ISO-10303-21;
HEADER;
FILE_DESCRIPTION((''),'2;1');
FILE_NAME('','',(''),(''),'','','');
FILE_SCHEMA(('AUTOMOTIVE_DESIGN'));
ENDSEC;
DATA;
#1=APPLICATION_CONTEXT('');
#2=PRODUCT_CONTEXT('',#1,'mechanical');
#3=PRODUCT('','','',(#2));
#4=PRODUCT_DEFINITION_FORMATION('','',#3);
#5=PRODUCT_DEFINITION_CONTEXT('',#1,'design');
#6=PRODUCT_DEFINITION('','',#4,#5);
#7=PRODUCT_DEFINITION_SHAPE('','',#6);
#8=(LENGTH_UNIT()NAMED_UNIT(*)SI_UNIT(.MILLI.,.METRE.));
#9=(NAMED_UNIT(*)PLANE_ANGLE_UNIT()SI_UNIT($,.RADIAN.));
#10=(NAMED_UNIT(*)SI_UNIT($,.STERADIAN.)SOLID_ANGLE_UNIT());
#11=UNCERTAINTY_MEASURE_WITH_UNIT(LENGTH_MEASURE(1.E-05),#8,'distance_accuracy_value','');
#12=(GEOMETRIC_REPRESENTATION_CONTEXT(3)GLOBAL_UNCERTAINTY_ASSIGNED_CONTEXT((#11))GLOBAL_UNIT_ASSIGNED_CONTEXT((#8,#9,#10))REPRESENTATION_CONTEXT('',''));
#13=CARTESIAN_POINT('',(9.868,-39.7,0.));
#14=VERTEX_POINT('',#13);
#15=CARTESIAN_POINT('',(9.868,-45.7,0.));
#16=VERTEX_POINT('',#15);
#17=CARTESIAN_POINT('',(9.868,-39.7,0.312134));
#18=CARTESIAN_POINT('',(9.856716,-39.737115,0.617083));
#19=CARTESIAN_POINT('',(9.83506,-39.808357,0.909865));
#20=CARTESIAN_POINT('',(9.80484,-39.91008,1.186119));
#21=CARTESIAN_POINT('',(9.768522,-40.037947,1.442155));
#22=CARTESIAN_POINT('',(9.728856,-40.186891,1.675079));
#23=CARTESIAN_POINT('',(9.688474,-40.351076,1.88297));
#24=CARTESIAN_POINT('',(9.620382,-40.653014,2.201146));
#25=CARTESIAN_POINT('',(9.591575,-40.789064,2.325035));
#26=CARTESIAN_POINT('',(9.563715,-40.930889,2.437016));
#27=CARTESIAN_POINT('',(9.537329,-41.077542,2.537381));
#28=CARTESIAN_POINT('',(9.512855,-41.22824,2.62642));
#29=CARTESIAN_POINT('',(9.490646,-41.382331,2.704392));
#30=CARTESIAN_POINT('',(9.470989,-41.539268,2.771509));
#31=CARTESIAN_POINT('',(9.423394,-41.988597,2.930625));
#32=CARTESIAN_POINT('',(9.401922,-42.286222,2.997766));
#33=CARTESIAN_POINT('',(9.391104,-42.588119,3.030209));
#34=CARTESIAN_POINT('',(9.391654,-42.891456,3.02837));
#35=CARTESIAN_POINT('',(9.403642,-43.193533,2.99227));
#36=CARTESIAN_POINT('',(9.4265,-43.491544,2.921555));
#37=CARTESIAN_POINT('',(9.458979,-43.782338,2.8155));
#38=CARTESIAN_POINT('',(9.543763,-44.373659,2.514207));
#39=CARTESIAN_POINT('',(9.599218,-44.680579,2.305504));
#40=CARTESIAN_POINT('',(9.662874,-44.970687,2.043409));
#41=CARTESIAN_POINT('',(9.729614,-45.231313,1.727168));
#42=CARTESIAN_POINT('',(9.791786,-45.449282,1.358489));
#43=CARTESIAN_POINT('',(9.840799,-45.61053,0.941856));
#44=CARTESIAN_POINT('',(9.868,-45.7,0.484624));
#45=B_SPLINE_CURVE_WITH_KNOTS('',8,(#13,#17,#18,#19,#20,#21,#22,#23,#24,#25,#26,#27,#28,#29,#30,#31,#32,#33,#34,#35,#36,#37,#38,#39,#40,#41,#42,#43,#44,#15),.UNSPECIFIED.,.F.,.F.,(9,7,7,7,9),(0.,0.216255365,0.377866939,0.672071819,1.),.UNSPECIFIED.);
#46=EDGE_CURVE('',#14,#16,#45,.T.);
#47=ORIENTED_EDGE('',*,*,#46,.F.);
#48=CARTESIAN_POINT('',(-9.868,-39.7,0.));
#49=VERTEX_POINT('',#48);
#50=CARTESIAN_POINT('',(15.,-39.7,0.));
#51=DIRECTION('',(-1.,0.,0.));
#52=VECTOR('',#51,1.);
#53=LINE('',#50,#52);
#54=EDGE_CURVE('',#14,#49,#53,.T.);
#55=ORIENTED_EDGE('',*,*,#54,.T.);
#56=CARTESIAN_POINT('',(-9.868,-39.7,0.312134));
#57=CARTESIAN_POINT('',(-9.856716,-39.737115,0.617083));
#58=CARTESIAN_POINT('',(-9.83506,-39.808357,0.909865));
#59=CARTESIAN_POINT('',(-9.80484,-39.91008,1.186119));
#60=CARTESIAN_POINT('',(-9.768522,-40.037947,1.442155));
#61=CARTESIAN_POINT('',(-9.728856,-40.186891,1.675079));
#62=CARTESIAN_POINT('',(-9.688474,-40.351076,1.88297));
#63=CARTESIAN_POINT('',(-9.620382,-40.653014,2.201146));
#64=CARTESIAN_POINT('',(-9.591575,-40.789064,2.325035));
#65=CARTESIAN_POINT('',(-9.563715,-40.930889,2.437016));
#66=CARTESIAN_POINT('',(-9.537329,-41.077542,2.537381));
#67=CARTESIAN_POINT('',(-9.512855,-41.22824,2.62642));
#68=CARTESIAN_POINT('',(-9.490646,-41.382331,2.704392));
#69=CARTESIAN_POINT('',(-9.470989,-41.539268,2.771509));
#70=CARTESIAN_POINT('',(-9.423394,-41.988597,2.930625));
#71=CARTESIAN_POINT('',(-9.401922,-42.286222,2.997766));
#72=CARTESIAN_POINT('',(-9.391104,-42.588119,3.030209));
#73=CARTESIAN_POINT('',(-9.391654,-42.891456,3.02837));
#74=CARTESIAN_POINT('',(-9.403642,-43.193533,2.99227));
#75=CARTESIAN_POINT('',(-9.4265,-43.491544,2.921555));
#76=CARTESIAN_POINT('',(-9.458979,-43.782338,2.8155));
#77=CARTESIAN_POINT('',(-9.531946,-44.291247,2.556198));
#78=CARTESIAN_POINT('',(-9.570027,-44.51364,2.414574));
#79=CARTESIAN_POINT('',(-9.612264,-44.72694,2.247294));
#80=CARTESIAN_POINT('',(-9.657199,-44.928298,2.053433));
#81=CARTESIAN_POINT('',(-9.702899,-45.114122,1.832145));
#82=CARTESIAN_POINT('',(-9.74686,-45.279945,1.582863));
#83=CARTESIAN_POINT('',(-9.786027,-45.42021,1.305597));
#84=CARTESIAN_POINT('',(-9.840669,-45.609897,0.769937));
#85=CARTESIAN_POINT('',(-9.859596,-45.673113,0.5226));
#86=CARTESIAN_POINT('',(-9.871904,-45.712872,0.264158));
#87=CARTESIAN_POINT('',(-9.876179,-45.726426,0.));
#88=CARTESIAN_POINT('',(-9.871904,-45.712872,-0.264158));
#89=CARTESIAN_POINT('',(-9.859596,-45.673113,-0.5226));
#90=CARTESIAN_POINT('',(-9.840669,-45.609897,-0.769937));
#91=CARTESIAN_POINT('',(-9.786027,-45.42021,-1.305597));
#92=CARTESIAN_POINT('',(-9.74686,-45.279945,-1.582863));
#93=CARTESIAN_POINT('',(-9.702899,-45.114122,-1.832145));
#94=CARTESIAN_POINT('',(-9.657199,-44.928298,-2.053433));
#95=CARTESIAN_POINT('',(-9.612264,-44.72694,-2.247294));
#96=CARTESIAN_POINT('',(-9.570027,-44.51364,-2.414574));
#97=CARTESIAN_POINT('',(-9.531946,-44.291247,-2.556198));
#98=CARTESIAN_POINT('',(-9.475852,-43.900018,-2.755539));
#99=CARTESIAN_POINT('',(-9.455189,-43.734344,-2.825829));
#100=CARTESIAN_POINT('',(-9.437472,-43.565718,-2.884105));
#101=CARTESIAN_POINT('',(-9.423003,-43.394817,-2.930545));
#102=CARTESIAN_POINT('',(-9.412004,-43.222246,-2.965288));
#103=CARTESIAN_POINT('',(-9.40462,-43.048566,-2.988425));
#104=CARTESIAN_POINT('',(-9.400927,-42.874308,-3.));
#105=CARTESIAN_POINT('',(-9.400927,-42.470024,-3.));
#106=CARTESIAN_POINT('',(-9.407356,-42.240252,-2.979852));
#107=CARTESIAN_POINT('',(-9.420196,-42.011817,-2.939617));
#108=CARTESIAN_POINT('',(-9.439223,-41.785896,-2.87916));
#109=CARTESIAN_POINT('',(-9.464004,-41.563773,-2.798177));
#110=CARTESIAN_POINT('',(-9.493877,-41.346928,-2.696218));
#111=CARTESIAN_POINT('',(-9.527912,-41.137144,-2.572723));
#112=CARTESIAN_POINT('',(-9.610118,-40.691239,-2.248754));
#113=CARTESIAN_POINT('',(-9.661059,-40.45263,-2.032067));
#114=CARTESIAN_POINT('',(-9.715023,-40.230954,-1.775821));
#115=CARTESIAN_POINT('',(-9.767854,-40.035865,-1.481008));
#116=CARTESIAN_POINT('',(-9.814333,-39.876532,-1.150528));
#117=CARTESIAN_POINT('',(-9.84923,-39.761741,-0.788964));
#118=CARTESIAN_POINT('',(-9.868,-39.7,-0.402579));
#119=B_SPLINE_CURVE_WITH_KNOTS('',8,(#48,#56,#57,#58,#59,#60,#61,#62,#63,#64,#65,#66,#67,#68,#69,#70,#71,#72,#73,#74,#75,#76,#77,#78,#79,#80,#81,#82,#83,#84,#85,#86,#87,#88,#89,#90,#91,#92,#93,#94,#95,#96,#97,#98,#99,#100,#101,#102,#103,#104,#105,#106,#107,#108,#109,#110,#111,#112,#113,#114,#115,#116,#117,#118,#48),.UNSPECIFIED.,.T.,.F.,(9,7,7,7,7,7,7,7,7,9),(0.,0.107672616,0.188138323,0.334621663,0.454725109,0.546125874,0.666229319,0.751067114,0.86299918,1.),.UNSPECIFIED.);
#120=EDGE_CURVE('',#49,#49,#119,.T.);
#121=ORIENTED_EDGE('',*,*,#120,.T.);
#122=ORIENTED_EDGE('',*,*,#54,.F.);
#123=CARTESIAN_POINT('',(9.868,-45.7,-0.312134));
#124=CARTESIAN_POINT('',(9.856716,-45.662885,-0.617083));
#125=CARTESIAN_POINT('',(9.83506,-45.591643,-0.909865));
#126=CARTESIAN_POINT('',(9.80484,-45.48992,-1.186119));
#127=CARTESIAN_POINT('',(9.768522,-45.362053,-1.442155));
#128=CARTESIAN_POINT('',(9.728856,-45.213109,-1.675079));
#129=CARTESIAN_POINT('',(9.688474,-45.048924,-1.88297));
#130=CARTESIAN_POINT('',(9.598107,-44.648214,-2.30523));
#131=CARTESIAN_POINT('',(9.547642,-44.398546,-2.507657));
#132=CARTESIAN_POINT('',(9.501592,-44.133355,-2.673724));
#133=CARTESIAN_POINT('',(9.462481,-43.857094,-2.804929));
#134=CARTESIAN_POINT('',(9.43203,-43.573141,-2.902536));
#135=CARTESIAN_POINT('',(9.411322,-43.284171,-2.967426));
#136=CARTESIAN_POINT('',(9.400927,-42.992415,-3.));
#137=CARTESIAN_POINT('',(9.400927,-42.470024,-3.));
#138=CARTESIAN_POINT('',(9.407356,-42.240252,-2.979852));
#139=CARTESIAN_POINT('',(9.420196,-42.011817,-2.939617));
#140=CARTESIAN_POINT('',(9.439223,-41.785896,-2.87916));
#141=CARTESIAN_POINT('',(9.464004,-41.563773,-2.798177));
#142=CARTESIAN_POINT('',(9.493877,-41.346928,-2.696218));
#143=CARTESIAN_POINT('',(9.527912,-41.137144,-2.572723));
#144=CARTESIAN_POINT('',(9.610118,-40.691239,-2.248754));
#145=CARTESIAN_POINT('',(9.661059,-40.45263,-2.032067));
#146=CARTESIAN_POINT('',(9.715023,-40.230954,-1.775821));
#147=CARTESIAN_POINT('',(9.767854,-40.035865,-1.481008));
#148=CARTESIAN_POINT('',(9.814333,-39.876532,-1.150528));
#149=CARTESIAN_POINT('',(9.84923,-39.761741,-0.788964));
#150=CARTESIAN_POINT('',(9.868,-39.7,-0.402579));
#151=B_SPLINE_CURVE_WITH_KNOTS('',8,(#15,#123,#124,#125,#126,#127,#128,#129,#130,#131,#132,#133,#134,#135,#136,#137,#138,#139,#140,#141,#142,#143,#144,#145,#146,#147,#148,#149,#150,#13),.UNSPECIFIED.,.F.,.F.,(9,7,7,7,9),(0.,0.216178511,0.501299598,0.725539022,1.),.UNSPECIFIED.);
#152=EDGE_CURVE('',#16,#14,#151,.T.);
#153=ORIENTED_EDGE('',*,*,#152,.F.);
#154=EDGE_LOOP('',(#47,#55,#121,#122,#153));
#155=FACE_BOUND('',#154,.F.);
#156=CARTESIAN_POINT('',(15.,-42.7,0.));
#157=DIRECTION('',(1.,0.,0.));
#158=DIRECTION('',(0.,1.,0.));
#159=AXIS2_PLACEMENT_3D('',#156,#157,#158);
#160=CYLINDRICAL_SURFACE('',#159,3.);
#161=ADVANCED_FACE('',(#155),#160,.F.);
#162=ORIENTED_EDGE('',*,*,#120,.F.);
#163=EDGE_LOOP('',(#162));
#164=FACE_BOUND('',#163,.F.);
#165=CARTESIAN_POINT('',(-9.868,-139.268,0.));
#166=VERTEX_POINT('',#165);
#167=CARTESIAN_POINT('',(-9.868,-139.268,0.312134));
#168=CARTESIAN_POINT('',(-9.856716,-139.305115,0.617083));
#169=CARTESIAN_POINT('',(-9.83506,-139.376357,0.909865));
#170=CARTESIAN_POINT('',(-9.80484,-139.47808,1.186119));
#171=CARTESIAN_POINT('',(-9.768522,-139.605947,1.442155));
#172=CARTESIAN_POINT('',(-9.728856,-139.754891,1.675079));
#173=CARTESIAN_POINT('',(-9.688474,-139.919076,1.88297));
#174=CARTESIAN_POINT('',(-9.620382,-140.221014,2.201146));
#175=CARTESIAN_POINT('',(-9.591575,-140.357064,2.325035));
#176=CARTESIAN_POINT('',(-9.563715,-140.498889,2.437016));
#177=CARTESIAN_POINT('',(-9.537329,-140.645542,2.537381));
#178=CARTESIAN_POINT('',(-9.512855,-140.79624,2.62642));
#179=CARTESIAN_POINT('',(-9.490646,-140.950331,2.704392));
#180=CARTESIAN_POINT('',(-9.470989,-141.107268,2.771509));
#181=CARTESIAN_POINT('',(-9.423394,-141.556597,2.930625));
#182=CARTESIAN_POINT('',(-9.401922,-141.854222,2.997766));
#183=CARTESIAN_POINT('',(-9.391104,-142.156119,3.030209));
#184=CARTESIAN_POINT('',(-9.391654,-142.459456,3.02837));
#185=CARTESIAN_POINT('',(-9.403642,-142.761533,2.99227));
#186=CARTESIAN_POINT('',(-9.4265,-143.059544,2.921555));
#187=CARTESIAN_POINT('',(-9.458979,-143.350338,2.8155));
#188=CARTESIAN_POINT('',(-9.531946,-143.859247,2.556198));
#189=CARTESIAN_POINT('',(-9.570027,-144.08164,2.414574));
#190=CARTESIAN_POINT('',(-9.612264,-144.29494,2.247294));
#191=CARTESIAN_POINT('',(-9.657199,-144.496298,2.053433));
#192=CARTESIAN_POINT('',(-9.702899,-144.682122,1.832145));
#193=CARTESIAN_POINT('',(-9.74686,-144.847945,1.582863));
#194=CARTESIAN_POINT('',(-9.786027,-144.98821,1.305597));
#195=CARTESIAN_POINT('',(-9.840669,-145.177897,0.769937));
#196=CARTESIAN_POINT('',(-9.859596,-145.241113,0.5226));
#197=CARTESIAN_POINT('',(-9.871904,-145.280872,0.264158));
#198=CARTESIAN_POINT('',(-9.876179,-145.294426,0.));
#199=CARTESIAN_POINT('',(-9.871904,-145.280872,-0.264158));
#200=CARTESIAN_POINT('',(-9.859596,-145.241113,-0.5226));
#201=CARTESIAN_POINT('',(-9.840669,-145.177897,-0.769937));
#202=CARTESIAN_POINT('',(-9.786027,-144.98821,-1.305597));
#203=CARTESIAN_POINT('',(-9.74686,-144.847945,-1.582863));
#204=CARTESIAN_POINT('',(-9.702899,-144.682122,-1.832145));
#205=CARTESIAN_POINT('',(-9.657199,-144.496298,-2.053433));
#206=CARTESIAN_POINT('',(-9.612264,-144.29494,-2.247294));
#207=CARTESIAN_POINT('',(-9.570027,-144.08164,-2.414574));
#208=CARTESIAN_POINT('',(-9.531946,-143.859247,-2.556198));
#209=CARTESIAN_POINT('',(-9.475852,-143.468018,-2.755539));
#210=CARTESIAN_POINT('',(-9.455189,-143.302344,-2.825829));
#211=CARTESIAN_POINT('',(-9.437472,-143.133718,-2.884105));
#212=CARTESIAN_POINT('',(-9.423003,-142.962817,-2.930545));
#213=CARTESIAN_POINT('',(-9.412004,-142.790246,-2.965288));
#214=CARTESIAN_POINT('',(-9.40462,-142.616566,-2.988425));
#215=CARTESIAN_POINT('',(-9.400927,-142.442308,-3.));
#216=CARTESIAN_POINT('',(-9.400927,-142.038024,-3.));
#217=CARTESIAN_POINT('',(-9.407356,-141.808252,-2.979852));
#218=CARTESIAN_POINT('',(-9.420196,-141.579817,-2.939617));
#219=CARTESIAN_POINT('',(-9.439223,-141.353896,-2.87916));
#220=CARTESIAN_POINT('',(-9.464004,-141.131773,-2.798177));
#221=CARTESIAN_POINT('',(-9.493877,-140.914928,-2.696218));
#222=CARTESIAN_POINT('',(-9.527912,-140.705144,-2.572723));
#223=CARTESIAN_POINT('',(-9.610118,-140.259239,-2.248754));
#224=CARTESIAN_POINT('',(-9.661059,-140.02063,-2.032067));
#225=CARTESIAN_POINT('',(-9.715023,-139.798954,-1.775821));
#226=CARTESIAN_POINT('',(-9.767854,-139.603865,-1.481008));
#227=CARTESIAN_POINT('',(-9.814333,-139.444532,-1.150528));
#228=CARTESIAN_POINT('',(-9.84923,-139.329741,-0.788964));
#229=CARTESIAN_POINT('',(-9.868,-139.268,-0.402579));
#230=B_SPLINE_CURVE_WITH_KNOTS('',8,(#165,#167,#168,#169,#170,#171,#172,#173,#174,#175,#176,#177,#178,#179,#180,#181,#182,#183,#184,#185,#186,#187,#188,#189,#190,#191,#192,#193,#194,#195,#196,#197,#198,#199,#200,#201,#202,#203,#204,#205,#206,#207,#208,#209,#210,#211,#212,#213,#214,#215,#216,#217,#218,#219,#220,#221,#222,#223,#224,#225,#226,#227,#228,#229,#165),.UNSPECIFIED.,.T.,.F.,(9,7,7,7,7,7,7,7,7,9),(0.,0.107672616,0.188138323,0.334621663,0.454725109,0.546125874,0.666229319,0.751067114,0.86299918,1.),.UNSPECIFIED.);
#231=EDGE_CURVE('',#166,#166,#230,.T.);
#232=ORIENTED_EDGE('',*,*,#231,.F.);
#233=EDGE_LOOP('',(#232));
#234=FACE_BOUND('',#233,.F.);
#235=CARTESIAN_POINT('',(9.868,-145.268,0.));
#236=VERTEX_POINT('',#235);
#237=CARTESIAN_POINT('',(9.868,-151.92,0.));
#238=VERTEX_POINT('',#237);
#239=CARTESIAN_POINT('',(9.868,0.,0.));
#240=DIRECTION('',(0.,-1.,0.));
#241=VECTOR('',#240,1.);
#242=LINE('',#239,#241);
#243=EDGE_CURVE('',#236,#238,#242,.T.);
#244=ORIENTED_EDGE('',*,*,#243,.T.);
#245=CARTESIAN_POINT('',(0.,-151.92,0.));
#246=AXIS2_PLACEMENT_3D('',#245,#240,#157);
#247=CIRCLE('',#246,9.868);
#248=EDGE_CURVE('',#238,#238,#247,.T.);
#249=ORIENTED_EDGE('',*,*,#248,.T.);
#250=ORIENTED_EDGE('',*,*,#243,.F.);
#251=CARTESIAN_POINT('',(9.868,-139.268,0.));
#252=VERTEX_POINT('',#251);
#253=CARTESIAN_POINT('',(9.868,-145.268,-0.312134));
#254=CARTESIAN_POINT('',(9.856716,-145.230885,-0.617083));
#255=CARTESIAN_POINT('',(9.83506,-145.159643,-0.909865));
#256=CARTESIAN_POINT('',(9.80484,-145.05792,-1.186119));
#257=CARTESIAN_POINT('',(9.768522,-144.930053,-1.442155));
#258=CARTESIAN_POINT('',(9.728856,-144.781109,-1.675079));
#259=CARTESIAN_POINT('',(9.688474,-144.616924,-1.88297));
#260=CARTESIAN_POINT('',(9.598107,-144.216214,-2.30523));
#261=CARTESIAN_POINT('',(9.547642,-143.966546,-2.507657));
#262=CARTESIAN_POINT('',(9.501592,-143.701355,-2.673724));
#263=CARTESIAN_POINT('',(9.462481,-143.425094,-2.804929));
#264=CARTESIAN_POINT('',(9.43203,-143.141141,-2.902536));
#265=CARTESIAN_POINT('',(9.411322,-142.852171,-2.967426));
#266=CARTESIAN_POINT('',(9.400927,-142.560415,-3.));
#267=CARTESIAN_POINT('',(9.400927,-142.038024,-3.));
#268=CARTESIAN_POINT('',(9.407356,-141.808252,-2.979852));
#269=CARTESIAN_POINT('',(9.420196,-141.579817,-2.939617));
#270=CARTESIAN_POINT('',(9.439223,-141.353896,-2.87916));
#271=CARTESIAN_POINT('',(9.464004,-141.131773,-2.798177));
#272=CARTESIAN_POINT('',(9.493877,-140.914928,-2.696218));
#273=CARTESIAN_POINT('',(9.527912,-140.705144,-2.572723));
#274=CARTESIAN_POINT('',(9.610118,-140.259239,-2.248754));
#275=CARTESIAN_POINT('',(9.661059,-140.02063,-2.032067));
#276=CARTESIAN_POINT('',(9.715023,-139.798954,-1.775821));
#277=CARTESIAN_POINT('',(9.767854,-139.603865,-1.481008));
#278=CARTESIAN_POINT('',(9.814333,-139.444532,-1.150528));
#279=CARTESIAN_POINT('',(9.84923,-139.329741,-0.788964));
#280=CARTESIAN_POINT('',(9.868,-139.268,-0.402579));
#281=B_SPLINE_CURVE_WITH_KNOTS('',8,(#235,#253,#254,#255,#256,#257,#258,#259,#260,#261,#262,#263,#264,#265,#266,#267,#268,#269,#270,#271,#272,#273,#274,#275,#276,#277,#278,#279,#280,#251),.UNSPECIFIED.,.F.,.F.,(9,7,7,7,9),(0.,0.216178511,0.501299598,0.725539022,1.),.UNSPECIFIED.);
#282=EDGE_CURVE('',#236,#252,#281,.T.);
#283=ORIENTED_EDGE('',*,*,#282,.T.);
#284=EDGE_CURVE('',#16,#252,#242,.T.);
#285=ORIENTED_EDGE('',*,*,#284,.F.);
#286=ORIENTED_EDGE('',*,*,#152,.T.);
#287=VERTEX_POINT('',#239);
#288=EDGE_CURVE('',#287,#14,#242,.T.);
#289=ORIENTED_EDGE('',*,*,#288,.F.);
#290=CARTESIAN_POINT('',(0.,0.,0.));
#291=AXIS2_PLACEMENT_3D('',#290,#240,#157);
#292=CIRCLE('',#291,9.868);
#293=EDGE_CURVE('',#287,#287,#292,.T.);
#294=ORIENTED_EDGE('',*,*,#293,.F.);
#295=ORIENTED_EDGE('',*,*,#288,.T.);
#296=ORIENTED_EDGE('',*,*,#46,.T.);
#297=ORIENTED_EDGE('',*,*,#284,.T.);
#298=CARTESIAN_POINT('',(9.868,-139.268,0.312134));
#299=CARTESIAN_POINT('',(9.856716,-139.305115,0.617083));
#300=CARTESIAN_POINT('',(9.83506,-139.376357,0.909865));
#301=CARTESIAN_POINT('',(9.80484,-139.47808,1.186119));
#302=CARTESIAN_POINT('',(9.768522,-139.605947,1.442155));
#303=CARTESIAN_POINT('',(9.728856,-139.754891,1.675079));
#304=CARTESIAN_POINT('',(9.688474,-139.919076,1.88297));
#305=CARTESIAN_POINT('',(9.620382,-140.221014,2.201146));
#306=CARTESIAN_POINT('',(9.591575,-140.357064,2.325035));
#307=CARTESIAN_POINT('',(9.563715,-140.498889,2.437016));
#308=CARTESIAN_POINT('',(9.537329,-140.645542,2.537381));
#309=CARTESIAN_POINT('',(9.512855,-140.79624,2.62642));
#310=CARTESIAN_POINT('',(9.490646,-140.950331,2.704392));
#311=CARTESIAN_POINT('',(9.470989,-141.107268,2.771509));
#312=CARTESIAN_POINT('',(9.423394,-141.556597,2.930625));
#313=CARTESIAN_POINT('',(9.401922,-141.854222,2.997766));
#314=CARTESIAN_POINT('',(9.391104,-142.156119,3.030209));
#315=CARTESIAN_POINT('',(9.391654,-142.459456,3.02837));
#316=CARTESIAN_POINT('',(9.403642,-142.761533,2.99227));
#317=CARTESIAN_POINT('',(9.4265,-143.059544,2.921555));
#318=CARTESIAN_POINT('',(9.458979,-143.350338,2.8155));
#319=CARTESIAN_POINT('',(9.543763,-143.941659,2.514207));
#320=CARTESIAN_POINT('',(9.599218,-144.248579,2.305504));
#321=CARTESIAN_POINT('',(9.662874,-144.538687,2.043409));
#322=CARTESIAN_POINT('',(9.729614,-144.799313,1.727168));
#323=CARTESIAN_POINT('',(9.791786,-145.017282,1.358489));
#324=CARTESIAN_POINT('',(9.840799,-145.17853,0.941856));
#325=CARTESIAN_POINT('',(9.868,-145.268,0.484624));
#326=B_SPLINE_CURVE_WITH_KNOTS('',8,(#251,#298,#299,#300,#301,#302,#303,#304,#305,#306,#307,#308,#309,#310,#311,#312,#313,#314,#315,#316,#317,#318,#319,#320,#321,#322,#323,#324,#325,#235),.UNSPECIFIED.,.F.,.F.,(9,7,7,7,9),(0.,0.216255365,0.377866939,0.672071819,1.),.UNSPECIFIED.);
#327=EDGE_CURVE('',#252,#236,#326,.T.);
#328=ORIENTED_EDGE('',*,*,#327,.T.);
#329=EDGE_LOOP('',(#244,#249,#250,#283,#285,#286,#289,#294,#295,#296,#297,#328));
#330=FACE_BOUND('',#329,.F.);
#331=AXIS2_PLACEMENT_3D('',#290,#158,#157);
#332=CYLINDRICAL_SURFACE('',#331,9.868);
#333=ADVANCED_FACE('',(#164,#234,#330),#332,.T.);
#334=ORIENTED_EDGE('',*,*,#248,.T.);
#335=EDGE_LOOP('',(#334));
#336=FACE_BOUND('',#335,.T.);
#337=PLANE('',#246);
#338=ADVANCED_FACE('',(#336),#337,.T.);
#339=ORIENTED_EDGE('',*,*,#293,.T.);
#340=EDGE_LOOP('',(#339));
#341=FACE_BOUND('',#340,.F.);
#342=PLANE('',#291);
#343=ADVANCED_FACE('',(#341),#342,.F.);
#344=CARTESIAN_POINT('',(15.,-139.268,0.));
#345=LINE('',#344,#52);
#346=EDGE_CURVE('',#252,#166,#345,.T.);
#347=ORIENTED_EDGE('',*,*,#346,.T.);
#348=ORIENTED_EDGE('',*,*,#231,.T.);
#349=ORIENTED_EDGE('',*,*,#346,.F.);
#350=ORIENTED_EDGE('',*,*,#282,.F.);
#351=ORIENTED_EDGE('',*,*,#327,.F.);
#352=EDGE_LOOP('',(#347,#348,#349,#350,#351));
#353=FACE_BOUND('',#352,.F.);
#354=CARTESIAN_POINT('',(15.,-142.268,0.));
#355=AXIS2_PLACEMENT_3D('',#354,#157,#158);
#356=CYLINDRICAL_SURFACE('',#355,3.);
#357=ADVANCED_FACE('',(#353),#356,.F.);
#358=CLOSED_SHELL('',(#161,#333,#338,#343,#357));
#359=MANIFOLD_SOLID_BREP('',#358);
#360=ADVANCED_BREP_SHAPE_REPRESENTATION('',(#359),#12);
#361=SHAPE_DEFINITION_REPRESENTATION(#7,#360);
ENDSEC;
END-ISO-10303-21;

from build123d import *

# Parameters (mm, degrees)
F0_R     = 9.868
F1_DEPTH = 151.92
F3_R     = 3
F4_DEPTH = 24.869


with BuildPart() as f1:
    # F0 (on Front) → F1 (new body)
    with BuildSketch(Plane.XZ):
        Circle(F0_R)
    extrude(amount=F1_DEPTH)

    # F3 (on offset) → F4 (cut, through all)
    with BuildSketch(Plane.YZ.offset(15)):
        with Locations((-142.268, 0)):
            Circle(F3_R)
        with Locations((-42.7, 0)):
            Circle(F3_R)
    extrude(amount=-F4_DEPTH, mode=Mode.SUBTRACT)


solid = f1.part
